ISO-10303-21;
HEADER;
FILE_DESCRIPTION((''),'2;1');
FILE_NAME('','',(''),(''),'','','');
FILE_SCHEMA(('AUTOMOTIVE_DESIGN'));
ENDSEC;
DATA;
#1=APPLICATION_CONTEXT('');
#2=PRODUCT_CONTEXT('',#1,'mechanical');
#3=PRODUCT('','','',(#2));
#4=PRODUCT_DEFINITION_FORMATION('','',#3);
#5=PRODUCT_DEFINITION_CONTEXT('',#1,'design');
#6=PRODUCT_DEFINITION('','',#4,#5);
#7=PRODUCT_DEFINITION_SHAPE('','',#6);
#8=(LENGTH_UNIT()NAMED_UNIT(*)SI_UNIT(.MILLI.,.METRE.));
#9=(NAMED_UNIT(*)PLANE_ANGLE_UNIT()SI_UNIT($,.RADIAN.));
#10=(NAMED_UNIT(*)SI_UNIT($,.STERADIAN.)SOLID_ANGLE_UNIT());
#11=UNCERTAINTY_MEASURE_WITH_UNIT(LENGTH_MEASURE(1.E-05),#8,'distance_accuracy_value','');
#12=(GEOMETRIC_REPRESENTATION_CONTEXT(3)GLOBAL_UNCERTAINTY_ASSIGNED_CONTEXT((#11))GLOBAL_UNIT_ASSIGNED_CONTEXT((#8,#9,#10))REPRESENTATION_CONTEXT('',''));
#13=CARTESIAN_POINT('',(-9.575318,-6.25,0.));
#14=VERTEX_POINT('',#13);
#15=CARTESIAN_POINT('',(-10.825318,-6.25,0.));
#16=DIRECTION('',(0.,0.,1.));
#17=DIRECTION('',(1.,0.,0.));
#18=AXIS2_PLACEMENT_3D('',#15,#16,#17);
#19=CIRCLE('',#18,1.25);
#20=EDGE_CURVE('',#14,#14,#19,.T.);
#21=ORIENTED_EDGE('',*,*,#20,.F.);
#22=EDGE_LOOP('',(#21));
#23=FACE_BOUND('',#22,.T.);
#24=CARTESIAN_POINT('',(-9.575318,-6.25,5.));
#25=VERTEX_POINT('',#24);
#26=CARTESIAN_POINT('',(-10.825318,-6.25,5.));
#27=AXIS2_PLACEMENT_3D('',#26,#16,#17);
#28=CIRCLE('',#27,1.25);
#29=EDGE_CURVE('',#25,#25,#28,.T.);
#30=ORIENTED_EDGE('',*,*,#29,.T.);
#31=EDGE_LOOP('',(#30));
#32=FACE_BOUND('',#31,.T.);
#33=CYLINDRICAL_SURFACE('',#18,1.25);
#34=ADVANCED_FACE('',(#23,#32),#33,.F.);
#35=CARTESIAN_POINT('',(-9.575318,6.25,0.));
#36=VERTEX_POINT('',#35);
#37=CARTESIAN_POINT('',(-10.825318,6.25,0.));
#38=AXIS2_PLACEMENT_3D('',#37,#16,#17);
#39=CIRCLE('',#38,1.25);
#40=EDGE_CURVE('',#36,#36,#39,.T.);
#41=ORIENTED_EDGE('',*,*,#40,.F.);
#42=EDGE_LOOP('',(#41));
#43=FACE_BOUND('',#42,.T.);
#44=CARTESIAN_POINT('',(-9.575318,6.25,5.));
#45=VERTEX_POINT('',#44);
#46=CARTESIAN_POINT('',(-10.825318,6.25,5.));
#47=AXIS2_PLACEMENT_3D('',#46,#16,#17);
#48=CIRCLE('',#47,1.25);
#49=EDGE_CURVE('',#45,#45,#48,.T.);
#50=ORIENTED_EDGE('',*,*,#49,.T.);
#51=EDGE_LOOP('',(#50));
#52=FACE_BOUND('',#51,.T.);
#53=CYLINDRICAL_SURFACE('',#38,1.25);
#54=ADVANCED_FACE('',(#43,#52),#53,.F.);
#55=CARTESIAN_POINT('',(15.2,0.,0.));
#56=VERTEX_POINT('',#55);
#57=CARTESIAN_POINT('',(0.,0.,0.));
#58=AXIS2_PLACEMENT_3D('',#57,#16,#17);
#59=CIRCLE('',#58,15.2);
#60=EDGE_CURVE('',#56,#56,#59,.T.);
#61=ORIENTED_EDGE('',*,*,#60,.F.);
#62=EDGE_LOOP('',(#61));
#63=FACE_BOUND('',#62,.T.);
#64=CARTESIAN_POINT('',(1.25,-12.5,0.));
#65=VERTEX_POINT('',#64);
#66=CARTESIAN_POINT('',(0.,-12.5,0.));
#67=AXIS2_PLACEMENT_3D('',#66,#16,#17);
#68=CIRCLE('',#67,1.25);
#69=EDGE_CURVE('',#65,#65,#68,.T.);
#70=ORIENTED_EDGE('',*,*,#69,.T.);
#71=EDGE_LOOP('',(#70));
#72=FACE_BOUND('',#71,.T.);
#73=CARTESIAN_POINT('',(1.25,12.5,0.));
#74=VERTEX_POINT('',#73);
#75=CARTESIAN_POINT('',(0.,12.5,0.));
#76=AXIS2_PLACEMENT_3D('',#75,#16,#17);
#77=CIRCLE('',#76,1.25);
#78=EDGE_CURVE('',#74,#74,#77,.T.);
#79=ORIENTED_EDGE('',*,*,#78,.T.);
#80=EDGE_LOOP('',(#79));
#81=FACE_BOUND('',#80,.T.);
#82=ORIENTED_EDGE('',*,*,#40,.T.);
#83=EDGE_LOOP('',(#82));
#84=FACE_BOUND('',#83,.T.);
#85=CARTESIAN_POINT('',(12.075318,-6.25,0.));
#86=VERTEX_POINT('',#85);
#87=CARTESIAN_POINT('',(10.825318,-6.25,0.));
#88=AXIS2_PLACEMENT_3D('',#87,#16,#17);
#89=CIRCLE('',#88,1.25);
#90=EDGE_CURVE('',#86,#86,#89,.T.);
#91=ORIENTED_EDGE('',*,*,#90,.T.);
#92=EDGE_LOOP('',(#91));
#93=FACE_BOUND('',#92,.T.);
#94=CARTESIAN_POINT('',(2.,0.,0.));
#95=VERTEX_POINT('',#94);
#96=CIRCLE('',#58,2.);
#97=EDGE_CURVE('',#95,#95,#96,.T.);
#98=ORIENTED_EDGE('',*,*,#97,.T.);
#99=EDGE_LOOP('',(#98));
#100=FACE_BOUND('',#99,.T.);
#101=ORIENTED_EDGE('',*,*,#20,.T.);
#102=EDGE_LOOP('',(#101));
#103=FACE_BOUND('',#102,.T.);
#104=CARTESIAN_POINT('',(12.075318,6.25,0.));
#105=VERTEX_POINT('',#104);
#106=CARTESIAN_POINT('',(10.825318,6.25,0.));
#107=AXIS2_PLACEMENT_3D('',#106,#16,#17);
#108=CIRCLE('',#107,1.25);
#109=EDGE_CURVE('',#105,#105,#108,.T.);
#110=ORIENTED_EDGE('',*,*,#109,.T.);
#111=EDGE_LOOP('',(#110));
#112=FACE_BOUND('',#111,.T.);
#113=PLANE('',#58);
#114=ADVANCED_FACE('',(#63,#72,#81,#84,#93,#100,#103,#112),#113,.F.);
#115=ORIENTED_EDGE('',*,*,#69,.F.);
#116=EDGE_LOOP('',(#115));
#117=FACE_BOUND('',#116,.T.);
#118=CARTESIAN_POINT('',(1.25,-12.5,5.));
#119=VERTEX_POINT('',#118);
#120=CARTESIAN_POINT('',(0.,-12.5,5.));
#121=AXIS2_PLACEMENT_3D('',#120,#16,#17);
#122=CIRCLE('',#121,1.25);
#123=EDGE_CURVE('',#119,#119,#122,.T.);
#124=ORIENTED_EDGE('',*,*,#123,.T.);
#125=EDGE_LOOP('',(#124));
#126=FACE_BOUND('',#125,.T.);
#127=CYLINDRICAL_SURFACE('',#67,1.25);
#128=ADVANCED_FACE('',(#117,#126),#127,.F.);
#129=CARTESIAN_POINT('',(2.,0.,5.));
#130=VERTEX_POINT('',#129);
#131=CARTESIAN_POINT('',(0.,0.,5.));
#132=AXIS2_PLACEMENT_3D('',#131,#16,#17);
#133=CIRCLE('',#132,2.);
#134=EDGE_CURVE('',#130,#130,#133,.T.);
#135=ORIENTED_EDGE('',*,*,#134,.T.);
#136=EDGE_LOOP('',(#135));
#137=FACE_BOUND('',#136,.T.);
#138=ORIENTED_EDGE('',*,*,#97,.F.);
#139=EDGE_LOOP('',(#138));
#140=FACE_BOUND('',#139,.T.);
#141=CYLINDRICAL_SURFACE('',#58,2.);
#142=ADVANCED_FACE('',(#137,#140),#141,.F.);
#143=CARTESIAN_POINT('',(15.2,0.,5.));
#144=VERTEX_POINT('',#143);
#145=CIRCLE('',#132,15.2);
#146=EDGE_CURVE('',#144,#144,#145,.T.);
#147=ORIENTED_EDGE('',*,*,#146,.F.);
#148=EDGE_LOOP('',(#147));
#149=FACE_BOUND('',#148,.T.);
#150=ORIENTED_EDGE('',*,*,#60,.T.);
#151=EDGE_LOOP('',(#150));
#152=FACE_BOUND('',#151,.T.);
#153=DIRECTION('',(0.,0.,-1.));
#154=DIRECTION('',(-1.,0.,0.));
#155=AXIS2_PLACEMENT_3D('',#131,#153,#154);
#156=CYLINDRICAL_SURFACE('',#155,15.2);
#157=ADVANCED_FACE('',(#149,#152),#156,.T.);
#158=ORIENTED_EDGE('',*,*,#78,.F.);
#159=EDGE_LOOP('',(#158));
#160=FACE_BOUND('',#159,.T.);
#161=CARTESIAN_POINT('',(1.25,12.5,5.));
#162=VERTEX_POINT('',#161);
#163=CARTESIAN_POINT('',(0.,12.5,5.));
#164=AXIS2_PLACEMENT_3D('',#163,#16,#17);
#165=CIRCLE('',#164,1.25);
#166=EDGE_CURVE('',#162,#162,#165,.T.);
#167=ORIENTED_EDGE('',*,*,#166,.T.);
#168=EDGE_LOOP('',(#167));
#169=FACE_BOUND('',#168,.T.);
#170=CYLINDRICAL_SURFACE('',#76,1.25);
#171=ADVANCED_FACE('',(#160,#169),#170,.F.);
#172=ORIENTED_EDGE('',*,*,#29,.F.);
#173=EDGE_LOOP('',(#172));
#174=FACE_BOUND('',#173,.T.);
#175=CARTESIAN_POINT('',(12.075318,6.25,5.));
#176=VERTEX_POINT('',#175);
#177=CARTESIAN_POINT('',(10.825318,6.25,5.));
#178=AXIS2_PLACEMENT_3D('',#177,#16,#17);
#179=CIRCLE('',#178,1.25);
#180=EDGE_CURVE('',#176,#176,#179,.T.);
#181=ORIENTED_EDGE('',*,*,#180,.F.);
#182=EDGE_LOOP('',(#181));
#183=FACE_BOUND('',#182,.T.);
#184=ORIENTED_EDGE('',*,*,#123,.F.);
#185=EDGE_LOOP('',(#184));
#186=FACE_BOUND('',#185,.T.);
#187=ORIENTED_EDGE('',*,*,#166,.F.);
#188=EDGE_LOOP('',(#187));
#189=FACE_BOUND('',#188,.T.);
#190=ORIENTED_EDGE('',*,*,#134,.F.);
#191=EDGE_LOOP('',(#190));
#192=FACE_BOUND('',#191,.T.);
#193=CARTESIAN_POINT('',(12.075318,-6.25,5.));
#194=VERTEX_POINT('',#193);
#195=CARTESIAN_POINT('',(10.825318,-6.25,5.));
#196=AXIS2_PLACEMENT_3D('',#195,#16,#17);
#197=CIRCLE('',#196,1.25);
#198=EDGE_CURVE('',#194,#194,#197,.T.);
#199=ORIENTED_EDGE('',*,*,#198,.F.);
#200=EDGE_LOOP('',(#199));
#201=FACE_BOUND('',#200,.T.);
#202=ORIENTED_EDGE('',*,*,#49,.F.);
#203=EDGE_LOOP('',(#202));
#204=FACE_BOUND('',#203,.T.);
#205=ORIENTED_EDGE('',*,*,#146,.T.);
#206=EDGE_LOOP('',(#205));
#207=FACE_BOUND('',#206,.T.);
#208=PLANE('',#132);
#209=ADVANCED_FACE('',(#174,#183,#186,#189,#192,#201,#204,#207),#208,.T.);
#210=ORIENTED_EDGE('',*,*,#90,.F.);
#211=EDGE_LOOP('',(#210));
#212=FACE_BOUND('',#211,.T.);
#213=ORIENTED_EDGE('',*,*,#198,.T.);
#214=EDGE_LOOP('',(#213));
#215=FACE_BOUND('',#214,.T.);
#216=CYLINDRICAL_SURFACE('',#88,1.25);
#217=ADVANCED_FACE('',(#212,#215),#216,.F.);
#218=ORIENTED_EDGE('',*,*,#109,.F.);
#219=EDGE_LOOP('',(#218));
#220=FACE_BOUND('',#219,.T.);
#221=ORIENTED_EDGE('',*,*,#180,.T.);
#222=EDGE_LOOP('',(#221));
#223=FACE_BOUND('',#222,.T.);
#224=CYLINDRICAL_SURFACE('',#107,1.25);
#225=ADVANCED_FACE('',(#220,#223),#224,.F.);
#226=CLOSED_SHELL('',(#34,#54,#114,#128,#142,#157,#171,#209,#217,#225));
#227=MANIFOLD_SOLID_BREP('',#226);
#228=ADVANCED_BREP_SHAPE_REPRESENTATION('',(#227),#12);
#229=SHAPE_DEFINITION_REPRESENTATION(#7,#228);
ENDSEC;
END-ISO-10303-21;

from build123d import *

# Parameters (mm, degrees)
SKETCH_1_R               = 15.2
EXTRUDE_2_DEPTH          = 5
CUT_EXTRUDE_1_DEPTH      = 23.069888989
CUT_EXTRUDE_1_DEPTH_BACK = 23.069888989
SKETCH_3_R               = 1.25
CUT_EXTRUDE_2_DEPTH      = 23.069888989
CUT_EXTRUDE_2_DEPTH_BACK = 23.069888989
SKETCH_4_R               = 2


with BuildPart() as part:
    # 草图1 → 凸台-拉伸2 (new body)
    with BuildSketch(Plane.XY):
        Circle(SKETCH_1_R)
    extrude(amount=EXTRUDE_2_DEPTH)

    # 草图3 → 切除-拉伸1 (cut, two sides: drawn at the far end of the back side and taken through both)
    with BuildSketch(Plane.XY.offset(5).offset(-CUT_EXTRUDE_1_DEPTH_BACK)):
        with Locations((0, 12.5)):
            Circle(SKETCH_3_R)
        with Locations((10.825317547, 6.25)):
            Circle(SKETCH_3_R)
        with Locations((10.825317547, -6.25)):
            Circle(SKETCH_3_R)
        with Locations((0, -12.5)):
            Circle(SKETCH_3_R)
        with Locations((-10.825317547, -6.25)):
            Circle(SKETCH_3_R)
        with Locations((-10.825317547, 6.25)):
            Circle(SKETCH_3_R)
    extrude(amount=CUT_EXTRUDE_1_DEPTH + CUT_EXTRUDE_1_DEPTH_BACK, mode=Mode.SUBTRACT)

    # 草图4 → 切除-拉伸2 (cut, two sides: drawn at the far end of the back side and taken through both)
    with BuildSketch(Plane.XY.offset(5).offset(-CUT_EXTRUDE_2_DEPTH_BACK)):
        Circle(SKETCH_4_R)
    extrude(amount=CUT_EXTRUDE_2_DEPTH + CUT_EXTRUDE_2_DEPTH_BACK, mode=Mode.SUBTRACT)


solid = part.part
